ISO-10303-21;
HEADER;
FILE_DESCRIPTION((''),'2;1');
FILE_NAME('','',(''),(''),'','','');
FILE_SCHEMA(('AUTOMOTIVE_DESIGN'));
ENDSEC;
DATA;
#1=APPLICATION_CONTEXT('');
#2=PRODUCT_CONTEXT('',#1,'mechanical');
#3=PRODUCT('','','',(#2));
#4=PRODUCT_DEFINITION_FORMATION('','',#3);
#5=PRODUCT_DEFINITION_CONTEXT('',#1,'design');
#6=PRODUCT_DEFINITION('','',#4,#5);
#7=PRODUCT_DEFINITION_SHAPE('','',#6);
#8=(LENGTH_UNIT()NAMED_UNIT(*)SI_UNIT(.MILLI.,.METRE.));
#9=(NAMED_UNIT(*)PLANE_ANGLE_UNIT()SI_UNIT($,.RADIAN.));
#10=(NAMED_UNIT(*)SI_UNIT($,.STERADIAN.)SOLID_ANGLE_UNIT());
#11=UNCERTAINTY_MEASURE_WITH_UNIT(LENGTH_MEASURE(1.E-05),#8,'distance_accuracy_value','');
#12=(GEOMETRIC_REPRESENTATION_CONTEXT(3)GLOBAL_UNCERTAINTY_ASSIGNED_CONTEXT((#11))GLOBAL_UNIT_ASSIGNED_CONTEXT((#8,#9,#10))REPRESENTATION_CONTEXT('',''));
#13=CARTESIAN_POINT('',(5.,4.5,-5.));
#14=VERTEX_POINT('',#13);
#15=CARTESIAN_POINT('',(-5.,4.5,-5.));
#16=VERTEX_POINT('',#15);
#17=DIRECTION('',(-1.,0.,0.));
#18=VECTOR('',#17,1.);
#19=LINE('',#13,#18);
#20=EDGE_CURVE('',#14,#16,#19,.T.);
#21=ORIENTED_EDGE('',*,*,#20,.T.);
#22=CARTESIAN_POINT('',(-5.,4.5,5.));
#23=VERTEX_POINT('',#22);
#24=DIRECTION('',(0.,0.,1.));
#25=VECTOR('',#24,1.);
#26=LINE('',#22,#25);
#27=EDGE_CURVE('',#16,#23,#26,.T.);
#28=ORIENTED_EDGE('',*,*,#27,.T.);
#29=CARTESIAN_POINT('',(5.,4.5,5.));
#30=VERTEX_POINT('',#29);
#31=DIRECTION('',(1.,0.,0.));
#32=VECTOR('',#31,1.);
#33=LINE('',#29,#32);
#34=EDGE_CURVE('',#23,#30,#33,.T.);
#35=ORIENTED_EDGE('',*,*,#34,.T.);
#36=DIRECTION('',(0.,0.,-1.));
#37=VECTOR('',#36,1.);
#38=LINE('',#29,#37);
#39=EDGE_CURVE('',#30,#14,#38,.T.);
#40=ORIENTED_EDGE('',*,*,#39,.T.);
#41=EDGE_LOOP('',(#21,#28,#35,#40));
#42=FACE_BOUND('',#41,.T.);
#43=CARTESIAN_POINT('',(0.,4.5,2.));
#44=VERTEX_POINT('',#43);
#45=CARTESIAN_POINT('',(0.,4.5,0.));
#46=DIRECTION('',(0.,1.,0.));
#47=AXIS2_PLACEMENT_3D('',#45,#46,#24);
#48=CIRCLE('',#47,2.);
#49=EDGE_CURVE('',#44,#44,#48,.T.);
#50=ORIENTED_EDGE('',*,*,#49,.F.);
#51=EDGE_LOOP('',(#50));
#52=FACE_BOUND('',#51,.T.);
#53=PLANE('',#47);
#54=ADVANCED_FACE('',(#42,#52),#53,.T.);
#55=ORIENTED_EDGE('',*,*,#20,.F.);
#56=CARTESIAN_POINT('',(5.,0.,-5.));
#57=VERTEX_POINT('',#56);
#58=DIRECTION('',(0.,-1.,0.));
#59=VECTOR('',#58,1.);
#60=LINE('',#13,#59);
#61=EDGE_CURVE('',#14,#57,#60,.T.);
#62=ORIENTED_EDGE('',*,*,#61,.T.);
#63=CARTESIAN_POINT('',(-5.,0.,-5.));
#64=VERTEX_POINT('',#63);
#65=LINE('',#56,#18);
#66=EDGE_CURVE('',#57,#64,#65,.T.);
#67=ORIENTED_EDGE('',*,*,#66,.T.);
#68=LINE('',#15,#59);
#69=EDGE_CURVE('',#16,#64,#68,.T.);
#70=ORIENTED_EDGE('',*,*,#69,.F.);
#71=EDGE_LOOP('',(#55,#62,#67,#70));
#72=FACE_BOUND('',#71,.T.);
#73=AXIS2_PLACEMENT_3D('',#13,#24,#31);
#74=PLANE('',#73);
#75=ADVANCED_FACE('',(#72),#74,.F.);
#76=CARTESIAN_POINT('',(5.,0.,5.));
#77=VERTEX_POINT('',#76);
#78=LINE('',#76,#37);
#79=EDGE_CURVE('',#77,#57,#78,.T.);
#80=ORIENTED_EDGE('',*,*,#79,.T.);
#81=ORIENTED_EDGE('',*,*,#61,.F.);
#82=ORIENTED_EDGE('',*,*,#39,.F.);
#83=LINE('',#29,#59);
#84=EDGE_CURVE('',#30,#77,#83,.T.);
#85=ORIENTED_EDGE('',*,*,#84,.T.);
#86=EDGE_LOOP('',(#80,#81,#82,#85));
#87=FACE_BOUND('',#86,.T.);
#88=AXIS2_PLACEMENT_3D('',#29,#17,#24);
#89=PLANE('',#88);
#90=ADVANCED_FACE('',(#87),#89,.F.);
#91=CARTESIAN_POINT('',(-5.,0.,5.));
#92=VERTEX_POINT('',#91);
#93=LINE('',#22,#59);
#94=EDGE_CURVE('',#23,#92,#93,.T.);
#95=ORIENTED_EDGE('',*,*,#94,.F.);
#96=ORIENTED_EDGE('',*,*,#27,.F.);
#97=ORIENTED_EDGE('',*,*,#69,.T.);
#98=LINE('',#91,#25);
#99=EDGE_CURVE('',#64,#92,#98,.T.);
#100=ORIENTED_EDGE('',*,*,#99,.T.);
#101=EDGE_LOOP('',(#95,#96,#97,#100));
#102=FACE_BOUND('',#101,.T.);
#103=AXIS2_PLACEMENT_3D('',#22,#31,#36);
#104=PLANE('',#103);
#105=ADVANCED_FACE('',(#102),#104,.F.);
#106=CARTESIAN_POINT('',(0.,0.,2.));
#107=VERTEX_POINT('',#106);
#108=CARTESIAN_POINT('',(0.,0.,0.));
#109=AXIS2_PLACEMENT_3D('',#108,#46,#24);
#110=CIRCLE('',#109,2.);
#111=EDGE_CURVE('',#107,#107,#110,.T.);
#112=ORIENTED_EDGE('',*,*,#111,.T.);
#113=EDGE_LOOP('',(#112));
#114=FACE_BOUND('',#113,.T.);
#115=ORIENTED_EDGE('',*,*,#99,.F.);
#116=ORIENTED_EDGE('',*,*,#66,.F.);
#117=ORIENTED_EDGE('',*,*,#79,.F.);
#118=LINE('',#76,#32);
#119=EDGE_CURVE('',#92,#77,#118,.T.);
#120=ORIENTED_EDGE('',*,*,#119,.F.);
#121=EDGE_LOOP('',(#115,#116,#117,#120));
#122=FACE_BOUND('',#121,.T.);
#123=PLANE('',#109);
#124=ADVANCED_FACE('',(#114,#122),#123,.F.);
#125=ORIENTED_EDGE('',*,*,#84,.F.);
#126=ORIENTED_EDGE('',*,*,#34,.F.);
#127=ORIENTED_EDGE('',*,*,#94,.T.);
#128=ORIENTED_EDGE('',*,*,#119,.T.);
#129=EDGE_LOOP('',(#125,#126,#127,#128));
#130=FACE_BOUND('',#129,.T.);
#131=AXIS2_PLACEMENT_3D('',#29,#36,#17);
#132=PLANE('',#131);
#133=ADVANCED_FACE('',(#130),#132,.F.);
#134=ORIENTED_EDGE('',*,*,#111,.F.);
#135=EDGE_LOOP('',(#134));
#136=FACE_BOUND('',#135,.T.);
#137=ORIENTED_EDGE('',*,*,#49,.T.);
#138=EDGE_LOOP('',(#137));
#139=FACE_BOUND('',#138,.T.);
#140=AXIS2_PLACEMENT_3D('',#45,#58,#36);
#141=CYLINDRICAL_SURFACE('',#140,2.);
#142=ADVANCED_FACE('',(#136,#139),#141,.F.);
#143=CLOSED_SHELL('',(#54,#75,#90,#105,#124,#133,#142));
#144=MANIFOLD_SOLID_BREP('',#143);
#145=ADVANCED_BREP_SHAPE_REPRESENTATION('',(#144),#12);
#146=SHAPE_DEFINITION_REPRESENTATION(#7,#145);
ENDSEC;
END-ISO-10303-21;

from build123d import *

# Parameters (mm, degrees)
SKETCH1_W           = 10
SKETCH1_H           = 10
SKETCH1_R           = 2
BOSS_EXTRUDE1_DEPTH = 4.5


with BuildPart() as part:
    # Sketch1 → Boss-Extrude1 (new body)
    with BuildSketch(Plane(origin=(0, 0, 0), x_dir=(1, 0, 0), z_dir=(0, 1, 0))):
        Rectangle(SKETCH1_W, SKETCH1_H)
        with Locations(Location((0, 0, 0), (0, 0, 270))):
            Circle(SKETCH1_R, mode=Mode.SUBTRACT)
    extrude(amount=BOSS_EXTRUDE1_DEPTH)


solid = part.part
